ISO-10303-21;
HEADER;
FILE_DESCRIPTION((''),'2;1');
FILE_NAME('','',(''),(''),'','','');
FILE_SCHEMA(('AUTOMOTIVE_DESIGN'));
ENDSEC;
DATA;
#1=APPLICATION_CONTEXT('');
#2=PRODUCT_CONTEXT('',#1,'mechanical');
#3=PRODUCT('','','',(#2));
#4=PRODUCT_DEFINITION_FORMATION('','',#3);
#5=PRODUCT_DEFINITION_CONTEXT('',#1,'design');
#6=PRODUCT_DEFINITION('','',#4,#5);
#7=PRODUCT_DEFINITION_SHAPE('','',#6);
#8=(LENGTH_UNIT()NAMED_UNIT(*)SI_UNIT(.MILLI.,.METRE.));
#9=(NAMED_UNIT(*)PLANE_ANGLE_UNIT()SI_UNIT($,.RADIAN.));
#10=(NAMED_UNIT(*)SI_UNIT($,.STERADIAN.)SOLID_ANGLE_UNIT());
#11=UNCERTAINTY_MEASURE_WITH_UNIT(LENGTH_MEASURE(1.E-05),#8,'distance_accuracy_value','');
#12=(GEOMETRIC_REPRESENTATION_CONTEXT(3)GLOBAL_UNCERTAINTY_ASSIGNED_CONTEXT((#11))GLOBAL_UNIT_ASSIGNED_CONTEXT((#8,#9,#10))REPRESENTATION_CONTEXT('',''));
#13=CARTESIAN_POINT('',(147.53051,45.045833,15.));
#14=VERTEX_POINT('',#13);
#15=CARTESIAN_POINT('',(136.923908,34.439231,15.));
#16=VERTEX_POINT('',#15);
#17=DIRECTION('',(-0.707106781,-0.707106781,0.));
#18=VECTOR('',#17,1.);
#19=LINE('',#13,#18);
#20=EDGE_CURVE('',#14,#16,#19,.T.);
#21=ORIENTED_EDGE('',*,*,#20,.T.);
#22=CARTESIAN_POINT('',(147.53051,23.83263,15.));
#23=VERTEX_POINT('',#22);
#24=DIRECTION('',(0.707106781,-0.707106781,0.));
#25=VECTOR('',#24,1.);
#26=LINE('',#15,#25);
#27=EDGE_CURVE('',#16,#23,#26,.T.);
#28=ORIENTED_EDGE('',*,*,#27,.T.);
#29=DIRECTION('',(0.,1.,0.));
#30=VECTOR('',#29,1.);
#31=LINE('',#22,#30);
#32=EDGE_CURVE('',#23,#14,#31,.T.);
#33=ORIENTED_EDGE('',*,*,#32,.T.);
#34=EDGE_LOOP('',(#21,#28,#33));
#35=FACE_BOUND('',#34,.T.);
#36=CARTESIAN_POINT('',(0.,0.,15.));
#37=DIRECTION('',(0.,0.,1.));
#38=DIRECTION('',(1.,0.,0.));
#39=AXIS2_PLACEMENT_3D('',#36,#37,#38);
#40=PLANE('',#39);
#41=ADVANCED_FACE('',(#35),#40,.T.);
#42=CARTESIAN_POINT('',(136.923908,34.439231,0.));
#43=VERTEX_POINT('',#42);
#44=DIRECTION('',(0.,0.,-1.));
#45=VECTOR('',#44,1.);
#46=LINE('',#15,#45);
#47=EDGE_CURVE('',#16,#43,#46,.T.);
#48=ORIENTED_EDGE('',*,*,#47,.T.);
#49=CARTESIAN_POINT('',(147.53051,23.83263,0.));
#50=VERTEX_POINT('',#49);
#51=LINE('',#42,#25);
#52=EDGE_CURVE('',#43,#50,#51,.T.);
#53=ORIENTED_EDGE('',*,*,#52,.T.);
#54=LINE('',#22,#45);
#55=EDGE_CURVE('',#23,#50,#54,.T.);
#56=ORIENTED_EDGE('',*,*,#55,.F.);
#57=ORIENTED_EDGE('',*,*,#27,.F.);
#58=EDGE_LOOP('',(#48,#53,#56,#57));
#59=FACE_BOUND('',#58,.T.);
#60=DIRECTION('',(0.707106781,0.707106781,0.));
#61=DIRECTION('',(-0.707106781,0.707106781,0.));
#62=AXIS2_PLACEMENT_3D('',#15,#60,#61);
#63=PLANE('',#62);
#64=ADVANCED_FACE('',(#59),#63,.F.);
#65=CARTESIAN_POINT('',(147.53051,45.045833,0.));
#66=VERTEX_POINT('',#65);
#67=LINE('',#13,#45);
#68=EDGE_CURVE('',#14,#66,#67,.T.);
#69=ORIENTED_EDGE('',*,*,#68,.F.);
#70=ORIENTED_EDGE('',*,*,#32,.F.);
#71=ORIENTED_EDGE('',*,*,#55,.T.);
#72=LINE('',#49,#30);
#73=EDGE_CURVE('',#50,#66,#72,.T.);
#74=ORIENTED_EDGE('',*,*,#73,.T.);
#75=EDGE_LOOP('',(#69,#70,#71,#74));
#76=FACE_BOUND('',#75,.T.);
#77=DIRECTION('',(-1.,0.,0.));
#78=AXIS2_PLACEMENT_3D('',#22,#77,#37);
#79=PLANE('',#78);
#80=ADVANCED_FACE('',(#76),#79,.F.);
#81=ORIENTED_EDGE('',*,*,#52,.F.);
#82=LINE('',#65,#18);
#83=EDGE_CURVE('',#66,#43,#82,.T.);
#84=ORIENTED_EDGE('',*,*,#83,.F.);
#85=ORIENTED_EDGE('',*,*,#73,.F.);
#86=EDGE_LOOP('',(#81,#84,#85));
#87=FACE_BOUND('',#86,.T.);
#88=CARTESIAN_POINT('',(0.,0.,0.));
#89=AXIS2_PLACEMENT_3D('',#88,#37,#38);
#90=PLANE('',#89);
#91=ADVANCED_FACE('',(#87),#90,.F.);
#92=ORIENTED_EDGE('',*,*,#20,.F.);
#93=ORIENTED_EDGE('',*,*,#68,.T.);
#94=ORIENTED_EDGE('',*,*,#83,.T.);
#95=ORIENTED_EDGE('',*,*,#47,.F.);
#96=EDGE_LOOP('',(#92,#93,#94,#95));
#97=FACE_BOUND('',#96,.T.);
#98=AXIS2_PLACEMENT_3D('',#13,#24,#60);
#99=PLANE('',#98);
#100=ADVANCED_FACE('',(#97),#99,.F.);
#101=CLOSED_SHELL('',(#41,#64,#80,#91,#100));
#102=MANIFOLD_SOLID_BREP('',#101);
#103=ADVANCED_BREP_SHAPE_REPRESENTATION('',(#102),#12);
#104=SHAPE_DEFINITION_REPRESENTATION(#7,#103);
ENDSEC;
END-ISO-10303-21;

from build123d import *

# Parameters (mm, degrees)
EXTRUDE_1_DEPTH = 15


with BuildPart() as part:
    # 草图1 → 凸台-拉伸1 (new body)
    with BuildSketch(Plane.XY):
        Polygon((147.530509646, 45.045832973), (136.923907929, 34.439231255), (147.530509646, 23.832629537), align=None)
    extrude(amount=EXTRUDE_1_DEPTH)


solid = part.part
